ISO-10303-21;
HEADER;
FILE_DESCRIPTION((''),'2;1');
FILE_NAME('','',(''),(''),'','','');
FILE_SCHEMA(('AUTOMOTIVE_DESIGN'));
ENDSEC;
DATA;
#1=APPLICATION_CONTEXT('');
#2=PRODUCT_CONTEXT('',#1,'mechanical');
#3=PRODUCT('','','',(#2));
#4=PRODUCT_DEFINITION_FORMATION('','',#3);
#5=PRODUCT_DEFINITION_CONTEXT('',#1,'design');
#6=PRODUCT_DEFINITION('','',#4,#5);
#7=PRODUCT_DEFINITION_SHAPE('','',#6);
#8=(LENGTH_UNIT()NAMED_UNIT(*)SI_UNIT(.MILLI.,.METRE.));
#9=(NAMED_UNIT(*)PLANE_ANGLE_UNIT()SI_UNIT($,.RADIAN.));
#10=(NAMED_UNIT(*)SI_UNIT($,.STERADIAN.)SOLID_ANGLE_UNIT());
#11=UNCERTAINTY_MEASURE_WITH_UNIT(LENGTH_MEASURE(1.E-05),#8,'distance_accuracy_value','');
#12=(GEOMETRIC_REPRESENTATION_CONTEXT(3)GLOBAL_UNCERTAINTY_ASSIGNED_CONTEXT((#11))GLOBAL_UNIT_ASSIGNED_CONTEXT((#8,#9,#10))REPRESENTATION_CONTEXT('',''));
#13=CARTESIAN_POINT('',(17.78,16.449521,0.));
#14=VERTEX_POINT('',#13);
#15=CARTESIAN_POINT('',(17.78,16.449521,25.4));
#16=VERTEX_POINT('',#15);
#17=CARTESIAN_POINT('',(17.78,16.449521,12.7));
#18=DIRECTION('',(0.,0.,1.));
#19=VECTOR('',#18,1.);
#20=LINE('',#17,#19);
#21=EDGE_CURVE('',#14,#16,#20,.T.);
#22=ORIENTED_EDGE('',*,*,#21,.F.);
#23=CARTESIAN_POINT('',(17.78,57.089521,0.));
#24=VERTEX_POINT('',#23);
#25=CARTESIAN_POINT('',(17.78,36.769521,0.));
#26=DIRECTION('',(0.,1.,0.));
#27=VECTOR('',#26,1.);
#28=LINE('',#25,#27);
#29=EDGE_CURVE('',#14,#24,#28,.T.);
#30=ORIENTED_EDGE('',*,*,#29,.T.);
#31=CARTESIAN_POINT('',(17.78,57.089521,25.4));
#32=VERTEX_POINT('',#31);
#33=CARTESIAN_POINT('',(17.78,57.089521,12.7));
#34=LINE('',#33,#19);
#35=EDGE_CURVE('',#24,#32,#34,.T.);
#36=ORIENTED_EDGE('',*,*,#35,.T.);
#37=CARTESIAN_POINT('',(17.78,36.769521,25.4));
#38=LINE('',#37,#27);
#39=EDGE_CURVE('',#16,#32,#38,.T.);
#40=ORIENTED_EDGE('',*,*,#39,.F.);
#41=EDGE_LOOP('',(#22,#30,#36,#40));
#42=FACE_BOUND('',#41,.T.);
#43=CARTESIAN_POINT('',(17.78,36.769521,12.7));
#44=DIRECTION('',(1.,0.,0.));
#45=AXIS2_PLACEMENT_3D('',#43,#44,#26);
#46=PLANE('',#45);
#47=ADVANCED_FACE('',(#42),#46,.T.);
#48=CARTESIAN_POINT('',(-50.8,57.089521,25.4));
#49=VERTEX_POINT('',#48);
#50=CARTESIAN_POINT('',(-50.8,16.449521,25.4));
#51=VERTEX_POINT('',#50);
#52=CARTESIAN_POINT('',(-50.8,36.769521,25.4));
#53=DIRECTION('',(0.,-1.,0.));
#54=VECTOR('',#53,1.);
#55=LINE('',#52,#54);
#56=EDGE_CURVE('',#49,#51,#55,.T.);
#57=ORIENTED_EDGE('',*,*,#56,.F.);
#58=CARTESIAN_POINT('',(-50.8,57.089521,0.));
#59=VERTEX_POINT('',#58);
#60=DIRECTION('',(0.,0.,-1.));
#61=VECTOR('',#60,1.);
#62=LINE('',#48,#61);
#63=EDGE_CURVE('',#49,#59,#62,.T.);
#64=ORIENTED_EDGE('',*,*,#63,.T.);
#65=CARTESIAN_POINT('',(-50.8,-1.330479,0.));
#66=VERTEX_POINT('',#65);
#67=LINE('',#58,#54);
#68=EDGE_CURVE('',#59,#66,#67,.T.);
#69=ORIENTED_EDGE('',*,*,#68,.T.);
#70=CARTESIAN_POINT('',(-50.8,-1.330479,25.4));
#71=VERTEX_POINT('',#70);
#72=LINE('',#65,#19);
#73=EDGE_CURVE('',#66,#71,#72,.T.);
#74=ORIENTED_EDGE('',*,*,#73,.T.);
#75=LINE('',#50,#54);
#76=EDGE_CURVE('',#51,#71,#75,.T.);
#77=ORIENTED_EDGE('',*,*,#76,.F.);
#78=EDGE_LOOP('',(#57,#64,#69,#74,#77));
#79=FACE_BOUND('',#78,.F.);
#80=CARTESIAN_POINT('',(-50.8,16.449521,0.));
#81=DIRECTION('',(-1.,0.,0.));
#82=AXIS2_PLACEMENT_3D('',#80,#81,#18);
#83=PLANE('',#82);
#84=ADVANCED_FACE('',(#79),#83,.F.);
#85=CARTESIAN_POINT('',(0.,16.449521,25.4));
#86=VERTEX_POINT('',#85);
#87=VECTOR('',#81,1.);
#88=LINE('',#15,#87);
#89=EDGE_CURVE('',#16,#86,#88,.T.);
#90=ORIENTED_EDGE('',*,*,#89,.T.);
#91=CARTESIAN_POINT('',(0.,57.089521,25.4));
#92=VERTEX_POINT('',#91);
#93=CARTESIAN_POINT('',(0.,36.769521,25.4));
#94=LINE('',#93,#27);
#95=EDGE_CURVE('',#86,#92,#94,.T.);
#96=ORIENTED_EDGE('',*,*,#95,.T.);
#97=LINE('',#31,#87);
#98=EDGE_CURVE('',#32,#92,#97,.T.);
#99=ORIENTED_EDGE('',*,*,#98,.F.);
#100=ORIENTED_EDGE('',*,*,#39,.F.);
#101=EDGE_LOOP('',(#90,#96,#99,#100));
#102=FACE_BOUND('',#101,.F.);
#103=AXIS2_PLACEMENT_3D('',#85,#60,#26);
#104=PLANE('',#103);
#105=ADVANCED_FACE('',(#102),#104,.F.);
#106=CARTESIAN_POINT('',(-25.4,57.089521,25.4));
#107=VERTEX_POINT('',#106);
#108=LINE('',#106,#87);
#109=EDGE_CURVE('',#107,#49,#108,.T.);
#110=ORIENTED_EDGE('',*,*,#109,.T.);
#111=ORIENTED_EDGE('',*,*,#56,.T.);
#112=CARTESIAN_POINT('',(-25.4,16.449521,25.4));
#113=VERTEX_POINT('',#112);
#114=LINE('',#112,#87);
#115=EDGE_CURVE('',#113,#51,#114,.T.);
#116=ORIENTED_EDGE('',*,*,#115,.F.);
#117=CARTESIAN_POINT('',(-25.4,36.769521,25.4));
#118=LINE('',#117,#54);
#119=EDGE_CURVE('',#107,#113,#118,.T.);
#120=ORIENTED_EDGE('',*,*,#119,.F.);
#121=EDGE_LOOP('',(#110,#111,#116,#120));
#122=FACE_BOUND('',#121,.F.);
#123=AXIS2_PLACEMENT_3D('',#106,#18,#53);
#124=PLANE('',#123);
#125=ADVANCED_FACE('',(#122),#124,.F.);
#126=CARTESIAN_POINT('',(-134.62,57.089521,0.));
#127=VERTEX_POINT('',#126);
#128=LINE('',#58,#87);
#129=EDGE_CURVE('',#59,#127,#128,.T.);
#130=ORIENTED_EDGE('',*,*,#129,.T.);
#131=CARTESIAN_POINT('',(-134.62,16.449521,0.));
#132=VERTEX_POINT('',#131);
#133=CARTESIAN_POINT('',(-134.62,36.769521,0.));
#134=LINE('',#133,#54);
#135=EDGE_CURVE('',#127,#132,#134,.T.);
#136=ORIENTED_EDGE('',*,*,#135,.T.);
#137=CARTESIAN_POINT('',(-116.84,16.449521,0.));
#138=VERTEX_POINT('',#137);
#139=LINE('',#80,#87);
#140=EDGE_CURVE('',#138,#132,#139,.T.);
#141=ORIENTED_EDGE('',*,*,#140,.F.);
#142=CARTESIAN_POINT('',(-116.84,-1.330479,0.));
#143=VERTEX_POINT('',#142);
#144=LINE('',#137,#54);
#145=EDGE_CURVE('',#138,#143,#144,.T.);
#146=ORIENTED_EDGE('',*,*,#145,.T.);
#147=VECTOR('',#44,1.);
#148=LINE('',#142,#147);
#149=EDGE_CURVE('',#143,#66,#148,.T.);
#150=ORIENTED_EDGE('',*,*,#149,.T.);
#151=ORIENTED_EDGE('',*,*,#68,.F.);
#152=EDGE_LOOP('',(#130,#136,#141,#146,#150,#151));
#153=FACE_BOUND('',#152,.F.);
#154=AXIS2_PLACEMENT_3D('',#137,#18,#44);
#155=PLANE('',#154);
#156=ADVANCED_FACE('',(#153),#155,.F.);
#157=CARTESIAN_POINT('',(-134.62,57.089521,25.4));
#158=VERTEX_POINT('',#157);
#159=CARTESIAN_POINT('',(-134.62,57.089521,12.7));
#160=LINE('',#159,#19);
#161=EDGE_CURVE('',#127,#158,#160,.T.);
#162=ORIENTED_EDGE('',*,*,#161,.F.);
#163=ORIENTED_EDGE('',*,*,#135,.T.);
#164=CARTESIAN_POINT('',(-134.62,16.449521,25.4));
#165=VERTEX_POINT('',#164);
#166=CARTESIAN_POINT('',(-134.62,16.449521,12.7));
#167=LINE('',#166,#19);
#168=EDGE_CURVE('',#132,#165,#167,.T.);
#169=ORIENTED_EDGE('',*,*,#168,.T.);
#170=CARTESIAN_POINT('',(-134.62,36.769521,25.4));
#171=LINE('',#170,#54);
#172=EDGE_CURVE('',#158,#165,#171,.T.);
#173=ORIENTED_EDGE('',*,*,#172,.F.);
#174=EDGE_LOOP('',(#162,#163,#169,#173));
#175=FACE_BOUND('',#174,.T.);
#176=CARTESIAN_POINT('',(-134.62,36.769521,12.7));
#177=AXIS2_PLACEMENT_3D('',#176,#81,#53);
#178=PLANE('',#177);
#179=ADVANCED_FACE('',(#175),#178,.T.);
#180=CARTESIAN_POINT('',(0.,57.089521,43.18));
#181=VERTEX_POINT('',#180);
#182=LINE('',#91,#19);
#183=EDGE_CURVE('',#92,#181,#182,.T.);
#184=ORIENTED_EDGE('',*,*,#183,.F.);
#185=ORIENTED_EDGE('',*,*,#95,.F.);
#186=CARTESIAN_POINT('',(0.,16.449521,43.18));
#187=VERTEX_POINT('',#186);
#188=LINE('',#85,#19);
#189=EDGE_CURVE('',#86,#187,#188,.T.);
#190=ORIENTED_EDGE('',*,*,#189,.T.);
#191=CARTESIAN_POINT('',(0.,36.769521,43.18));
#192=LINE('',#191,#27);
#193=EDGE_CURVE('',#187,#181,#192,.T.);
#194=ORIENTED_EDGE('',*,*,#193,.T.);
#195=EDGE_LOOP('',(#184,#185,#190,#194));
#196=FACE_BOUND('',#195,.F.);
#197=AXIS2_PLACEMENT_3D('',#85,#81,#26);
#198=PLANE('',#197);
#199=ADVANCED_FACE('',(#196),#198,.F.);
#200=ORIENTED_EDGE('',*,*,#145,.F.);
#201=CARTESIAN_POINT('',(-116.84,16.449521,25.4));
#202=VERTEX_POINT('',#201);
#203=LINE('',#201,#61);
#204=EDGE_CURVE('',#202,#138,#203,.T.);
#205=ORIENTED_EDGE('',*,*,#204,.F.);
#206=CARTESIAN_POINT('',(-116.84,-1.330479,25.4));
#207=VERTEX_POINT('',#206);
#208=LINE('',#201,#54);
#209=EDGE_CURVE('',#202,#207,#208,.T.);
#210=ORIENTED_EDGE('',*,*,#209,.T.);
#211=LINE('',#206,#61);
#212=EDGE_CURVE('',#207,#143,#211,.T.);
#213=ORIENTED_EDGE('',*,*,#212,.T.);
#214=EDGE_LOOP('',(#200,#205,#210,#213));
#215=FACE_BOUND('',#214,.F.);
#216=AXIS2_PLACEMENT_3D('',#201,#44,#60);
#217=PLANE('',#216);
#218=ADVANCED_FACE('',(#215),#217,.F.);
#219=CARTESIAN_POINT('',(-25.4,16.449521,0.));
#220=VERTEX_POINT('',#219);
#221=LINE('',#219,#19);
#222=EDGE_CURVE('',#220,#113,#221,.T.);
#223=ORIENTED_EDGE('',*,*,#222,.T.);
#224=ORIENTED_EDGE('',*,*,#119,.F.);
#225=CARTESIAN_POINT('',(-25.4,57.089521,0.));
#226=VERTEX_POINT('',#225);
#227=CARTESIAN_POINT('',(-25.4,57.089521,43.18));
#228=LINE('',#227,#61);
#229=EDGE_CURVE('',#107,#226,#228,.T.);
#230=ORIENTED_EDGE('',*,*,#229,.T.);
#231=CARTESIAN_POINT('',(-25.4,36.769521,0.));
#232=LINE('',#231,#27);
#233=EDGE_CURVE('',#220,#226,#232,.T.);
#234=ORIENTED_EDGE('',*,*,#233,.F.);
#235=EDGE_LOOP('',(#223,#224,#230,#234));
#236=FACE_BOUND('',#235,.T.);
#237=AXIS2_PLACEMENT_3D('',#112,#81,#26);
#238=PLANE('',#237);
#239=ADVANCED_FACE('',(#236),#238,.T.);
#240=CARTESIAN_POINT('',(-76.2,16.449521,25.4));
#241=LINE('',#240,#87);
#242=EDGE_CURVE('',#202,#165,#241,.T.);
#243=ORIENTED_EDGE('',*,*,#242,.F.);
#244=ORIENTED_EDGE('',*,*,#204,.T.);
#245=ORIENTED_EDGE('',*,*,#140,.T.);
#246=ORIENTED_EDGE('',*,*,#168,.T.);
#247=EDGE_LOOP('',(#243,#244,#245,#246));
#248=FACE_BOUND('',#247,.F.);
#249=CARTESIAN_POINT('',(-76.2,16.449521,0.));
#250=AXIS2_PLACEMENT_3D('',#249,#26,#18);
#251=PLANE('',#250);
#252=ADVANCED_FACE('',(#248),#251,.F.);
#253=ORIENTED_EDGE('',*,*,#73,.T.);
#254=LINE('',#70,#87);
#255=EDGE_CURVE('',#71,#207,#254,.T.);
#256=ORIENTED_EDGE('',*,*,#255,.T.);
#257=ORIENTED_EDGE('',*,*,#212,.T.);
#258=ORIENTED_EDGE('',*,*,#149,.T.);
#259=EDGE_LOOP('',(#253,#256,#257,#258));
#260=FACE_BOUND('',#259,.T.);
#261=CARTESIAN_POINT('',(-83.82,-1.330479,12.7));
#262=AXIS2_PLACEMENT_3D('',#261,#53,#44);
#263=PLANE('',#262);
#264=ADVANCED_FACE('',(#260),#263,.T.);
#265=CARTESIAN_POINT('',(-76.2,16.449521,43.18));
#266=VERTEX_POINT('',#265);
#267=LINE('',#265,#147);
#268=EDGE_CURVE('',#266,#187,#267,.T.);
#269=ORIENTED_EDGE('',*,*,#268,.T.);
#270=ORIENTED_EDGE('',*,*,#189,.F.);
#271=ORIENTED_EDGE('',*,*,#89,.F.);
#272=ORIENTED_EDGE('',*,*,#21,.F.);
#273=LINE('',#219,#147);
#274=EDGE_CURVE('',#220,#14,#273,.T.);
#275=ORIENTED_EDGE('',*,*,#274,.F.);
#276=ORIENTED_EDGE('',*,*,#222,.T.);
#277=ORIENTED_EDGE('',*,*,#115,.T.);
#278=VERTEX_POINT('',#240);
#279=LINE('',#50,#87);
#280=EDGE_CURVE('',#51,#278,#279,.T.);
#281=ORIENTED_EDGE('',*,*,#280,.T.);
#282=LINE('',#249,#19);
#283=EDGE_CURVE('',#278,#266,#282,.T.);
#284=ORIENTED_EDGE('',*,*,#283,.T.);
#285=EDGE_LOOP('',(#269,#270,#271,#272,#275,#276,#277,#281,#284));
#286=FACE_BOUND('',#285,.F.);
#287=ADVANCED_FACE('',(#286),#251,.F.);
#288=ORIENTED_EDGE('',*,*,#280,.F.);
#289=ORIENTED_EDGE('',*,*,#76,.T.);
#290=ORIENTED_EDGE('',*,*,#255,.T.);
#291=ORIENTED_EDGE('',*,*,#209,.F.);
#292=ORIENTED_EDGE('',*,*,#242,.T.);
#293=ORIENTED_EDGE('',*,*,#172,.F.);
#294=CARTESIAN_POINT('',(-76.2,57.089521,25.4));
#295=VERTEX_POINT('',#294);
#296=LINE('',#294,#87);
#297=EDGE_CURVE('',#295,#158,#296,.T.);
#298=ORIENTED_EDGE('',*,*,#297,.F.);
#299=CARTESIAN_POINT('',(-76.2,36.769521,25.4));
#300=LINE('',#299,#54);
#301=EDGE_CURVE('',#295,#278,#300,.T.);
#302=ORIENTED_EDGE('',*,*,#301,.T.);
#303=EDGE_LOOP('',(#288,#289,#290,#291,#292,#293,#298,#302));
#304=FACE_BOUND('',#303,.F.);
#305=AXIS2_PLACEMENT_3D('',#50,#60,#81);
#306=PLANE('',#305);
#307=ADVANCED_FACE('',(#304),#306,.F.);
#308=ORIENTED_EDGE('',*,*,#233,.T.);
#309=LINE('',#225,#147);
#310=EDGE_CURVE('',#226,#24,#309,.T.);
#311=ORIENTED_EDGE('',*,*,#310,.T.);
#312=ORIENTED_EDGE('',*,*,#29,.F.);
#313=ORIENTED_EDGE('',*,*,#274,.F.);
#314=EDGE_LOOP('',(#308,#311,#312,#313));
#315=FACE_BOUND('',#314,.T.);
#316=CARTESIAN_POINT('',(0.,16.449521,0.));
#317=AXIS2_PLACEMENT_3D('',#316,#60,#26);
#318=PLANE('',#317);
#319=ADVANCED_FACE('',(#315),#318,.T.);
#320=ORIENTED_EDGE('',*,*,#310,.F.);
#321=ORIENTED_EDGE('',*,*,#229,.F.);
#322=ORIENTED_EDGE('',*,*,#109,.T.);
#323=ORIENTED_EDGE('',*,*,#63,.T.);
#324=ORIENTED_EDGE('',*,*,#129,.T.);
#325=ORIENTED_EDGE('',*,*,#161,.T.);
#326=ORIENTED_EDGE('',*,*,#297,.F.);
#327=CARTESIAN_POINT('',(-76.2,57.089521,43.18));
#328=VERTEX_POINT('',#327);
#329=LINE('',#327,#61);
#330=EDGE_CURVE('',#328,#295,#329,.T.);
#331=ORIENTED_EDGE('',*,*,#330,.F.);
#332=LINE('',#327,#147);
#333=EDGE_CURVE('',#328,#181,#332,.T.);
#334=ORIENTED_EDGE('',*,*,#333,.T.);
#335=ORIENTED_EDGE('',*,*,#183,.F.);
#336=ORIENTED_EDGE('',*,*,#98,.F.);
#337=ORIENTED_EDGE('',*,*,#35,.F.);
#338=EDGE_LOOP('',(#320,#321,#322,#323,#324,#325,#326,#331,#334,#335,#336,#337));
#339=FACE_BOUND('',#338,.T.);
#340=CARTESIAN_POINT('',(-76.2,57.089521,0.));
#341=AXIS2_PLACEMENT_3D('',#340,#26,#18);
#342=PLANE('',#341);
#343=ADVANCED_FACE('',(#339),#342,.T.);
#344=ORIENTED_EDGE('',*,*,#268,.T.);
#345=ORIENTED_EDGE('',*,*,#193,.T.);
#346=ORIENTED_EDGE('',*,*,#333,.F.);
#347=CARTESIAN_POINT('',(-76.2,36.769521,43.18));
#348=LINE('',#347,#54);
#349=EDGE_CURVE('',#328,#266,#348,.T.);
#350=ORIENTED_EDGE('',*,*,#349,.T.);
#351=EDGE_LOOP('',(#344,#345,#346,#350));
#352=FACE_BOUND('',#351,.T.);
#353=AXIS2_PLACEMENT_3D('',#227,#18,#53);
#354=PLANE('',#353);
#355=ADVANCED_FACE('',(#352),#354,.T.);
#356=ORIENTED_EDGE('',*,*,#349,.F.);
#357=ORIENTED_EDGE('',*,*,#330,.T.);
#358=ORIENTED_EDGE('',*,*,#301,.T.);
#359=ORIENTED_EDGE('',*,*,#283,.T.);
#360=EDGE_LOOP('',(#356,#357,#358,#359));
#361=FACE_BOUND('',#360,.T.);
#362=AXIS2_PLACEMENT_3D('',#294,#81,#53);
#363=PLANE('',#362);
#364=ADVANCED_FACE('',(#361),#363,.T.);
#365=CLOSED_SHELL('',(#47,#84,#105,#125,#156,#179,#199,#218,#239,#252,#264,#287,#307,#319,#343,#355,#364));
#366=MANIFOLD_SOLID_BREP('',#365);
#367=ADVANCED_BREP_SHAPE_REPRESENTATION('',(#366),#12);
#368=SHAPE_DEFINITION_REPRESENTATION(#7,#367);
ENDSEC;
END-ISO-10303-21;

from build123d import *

# Parameters (mm, degrees)
F0_W      = 40.64
F0_H      = 25.4
F1_DEPTH  = 17.78
F2_DEPTH  = 25.4
F3_W      = 25.4
F3_H      = 40.64
F4_DEPTH  = 17.78
F5_W      = 40.64
F5_H      = 17.78
F6_DEPTH  = 50.8
F7_W      = 25.4
F7_H      = 40.64
F8_DEPTH  = 25.4
F9_W      = 40.64
F9_H      = 25.4
F10_DEPTH = 58.42
F12_DEPTH = 17.78


with BuildPart() as f1:
    # F0 (on Right) → F1 (new body)
    with BuildSketch(Plane.YZ):
        with Locations((36.7695213166, 12.7)):
            Rectangle(F0_W, F0_H)
    extrude(amount=F1_DEPTH)

    # F2 (add): a face of the model
    f2_faces = [f1.faces().sort_by_distance(p)[0] for p in [
        (0, 36.7695213166, 12.7),
    ]]
    extrude(f2_faces, amount=F2_DEPTH)

    # F3 (on face) → F4 (join)
    with BuildSketch(Plane.XY.offset(25.4)):
        with Locations((-12.7, 36.7695213166)):
            Rectangle(F3_W, F3_H)
    extrude(amount=F4_DEPTH)

    # F5 (on face) → F6 (join)
    with BuildSketch(Plane(origin=(-25.4, 0, 0), x_dir=(0, -1, 0), z_dir=(-1, 0, 0))):
        with Locations((-36.7695213166, 34.29)):
            Rectangle(F5_W, F5_H)
    extrude(amount=F6_DEPTH)

    # F7 (on face) → F8 (join)
    with BuildSketch(Plane(origin=(0, 0, 25.4), x_dir=(1, 0, 0), z_dir=(0, 0, -1))):
        with Locations((-63.5, -36.7695213166)):
            Rectangle(F7_W, F7_H)
    extrude(amount=F8_DEPTH)

    # F9 (on face) → F10 (join)
    with BuildSketch(Plane(origin=(-76.2, 0, 0), x_dir=(0, -1, 0), z_dir=(-1, 0, 0))):
        with Locations((-36.7695213166, 12.7)):
            Rectangle(F9_W, F9_H)
    extrude(amount=F10_DEPTH)

    # F11 (on face) → F12 (join)
    with BuildSketch(Plane.XZ.offset(-16.4495213166)):
        Polygon((-76.2, 25.4), (-116.84, 25.4), (-116.84, 0), (-50.8, 0), (-50.8, 25.4), align=None)
    extrude(amount=F12_DEPTH)


solid = f1.part
